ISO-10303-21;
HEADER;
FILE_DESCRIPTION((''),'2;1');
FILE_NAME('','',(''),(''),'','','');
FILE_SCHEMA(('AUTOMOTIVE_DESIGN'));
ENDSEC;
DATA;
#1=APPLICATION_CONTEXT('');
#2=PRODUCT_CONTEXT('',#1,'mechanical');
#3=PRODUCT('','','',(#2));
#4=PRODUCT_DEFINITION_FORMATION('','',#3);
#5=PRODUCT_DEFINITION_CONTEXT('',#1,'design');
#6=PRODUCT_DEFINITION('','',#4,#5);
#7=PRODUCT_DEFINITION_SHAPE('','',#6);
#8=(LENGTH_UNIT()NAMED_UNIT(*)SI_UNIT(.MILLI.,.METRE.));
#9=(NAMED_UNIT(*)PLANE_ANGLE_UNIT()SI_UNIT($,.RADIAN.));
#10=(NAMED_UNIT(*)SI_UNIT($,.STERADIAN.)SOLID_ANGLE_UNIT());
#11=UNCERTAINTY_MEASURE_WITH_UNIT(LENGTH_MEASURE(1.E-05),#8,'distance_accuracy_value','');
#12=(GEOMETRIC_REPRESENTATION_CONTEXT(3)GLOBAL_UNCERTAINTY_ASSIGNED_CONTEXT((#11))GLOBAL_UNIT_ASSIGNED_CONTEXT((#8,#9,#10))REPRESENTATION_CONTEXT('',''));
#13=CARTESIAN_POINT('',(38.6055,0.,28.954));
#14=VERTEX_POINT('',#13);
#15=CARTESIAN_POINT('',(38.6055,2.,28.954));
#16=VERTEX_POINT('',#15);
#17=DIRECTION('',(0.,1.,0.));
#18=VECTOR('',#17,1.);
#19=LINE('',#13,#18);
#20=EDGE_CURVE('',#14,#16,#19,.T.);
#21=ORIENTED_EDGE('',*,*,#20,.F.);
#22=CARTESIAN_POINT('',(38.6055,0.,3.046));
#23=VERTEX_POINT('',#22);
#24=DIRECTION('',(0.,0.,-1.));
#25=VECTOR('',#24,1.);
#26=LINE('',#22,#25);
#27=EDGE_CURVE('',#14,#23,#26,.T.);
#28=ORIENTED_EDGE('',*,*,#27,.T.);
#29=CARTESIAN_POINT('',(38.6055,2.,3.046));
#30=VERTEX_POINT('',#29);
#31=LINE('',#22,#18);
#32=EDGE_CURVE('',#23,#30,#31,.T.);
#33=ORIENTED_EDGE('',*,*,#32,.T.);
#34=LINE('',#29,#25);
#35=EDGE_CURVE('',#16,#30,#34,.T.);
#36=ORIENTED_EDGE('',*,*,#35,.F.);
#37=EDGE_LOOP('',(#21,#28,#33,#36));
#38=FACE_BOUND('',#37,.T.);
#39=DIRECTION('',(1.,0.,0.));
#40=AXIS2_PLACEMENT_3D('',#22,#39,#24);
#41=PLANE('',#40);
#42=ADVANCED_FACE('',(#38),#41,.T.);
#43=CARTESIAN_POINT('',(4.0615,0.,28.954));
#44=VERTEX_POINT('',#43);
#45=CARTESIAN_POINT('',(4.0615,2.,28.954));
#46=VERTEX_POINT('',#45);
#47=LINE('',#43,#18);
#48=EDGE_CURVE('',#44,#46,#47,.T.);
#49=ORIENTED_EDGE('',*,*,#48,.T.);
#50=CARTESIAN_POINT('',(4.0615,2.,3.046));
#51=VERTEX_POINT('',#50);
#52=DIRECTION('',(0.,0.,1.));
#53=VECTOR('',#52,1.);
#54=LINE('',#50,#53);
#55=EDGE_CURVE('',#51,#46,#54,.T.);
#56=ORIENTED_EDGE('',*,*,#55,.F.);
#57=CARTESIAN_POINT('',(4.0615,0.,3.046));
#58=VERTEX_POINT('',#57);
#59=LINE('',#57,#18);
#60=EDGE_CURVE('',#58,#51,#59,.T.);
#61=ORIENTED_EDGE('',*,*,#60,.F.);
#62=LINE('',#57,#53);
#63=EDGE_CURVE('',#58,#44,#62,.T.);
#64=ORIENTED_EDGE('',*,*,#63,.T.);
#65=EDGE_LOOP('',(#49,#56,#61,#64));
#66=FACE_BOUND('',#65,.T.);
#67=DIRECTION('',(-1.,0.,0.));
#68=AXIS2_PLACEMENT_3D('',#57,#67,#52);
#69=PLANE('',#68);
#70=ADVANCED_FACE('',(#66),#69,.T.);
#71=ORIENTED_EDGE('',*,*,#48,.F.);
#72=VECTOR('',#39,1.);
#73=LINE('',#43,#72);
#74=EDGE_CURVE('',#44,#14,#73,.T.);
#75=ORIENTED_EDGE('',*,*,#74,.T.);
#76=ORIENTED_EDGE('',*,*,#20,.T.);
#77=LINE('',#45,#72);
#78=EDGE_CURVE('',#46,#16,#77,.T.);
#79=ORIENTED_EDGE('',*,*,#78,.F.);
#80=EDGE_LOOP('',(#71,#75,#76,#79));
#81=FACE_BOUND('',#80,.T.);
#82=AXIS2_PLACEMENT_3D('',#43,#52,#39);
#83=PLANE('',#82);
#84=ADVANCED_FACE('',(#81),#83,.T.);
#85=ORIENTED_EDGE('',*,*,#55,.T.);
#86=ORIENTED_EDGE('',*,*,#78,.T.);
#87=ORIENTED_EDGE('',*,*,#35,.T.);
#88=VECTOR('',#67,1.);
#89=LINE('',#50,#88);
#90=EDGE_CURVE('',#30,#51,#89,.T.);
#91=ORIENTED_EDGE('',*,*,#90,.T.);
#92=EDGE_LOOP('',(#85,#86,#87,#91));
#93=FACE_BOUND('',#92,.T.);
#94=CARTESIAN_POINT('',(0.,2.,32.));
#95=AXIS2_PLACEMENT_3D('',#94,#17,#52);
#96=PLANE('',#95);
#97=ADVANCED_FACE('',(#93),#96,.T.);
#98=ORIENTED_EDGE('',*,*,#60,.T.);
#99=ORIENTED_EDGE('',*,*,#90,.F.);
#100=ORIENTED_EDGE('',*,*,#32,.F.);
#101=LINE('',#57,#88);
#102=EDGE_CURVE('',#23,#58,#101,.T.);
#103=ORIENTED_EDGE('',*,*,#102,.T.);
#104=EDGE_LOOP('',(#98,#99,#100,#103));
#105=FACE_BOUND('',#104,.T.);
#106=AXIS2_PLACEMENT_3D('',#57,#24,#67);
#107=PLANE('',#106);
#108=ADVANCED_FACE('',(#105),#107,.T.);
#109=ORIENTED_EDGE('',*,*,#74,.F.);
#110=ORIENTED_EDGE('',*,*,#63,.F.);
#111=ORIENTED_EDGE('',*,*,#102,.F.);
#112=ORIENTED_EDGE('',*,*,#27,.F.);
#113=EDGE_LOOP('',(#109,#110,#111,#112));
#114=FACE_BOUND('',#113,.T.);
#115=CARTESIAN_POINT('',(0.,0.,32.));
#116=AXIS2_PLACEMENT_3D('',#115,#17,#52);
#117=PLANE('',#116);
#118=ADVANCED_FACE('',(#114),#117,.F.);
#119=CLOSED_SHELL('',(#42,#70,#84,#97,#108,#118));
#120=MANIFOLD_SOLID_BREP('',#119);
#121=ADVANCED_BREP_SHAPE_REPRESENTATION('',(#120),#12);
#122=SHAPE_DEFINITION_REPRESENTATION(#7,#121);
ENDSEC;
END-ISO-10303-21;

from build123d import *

# Parameters (mm, degrees)
SKETCH1_W           = 42.667
SKETCH1_H           = 32
EXTRUDE1_DEPTH      = 2
SKETCH2_OUTSIDE_W   = 55.341
SKETCH2_OUTSIDE_H   = 44.674
SKETCH2_OUTSIDE_W_2 = 34.544
SKETCH2_OUTSIDE_H_2 = 25.908
CUT_EXTRUDE3_DEPTH  = 3


with BuildPart() as part:
    # Sketch1 → Extrude1 (new body)
    with BuildSketch(Plane(origin=(0, 0, 0), x_dir=(1, 0, 0), z_dir=(0, 1, 0))):
        with Locations((21.3335, -16)):
            Rectangle(SKETCH1_W, SKETCH1_H)
    extrude(amount=EXTRUDE1_DEPTH)

    # Sketch2 outside → Cut-Extrude3 (cut, through all)
    with BuildSketch(Plane(origin=(0, 2, 0), x_dir=(-1, 0, 0), z_dir=(0, 1, 0))):
        with Locations((-21.3335, 16)):
            Rectangle(SKETCH2_OUTSIDE_W, SKETCH2_OUTSIDE_H)
        with Locations((-21.3335, 16)):
            Rectangle(SKETCH2_OUTSIDE_W_2, SKETCH2_OUTSIDE_H_2, mode=Mode.SUBTRACT)
    extrude(amount=-CUT_EXTRUDE3_DEPTH, mode=Mode.SUBTRACT)


solid = part.part
